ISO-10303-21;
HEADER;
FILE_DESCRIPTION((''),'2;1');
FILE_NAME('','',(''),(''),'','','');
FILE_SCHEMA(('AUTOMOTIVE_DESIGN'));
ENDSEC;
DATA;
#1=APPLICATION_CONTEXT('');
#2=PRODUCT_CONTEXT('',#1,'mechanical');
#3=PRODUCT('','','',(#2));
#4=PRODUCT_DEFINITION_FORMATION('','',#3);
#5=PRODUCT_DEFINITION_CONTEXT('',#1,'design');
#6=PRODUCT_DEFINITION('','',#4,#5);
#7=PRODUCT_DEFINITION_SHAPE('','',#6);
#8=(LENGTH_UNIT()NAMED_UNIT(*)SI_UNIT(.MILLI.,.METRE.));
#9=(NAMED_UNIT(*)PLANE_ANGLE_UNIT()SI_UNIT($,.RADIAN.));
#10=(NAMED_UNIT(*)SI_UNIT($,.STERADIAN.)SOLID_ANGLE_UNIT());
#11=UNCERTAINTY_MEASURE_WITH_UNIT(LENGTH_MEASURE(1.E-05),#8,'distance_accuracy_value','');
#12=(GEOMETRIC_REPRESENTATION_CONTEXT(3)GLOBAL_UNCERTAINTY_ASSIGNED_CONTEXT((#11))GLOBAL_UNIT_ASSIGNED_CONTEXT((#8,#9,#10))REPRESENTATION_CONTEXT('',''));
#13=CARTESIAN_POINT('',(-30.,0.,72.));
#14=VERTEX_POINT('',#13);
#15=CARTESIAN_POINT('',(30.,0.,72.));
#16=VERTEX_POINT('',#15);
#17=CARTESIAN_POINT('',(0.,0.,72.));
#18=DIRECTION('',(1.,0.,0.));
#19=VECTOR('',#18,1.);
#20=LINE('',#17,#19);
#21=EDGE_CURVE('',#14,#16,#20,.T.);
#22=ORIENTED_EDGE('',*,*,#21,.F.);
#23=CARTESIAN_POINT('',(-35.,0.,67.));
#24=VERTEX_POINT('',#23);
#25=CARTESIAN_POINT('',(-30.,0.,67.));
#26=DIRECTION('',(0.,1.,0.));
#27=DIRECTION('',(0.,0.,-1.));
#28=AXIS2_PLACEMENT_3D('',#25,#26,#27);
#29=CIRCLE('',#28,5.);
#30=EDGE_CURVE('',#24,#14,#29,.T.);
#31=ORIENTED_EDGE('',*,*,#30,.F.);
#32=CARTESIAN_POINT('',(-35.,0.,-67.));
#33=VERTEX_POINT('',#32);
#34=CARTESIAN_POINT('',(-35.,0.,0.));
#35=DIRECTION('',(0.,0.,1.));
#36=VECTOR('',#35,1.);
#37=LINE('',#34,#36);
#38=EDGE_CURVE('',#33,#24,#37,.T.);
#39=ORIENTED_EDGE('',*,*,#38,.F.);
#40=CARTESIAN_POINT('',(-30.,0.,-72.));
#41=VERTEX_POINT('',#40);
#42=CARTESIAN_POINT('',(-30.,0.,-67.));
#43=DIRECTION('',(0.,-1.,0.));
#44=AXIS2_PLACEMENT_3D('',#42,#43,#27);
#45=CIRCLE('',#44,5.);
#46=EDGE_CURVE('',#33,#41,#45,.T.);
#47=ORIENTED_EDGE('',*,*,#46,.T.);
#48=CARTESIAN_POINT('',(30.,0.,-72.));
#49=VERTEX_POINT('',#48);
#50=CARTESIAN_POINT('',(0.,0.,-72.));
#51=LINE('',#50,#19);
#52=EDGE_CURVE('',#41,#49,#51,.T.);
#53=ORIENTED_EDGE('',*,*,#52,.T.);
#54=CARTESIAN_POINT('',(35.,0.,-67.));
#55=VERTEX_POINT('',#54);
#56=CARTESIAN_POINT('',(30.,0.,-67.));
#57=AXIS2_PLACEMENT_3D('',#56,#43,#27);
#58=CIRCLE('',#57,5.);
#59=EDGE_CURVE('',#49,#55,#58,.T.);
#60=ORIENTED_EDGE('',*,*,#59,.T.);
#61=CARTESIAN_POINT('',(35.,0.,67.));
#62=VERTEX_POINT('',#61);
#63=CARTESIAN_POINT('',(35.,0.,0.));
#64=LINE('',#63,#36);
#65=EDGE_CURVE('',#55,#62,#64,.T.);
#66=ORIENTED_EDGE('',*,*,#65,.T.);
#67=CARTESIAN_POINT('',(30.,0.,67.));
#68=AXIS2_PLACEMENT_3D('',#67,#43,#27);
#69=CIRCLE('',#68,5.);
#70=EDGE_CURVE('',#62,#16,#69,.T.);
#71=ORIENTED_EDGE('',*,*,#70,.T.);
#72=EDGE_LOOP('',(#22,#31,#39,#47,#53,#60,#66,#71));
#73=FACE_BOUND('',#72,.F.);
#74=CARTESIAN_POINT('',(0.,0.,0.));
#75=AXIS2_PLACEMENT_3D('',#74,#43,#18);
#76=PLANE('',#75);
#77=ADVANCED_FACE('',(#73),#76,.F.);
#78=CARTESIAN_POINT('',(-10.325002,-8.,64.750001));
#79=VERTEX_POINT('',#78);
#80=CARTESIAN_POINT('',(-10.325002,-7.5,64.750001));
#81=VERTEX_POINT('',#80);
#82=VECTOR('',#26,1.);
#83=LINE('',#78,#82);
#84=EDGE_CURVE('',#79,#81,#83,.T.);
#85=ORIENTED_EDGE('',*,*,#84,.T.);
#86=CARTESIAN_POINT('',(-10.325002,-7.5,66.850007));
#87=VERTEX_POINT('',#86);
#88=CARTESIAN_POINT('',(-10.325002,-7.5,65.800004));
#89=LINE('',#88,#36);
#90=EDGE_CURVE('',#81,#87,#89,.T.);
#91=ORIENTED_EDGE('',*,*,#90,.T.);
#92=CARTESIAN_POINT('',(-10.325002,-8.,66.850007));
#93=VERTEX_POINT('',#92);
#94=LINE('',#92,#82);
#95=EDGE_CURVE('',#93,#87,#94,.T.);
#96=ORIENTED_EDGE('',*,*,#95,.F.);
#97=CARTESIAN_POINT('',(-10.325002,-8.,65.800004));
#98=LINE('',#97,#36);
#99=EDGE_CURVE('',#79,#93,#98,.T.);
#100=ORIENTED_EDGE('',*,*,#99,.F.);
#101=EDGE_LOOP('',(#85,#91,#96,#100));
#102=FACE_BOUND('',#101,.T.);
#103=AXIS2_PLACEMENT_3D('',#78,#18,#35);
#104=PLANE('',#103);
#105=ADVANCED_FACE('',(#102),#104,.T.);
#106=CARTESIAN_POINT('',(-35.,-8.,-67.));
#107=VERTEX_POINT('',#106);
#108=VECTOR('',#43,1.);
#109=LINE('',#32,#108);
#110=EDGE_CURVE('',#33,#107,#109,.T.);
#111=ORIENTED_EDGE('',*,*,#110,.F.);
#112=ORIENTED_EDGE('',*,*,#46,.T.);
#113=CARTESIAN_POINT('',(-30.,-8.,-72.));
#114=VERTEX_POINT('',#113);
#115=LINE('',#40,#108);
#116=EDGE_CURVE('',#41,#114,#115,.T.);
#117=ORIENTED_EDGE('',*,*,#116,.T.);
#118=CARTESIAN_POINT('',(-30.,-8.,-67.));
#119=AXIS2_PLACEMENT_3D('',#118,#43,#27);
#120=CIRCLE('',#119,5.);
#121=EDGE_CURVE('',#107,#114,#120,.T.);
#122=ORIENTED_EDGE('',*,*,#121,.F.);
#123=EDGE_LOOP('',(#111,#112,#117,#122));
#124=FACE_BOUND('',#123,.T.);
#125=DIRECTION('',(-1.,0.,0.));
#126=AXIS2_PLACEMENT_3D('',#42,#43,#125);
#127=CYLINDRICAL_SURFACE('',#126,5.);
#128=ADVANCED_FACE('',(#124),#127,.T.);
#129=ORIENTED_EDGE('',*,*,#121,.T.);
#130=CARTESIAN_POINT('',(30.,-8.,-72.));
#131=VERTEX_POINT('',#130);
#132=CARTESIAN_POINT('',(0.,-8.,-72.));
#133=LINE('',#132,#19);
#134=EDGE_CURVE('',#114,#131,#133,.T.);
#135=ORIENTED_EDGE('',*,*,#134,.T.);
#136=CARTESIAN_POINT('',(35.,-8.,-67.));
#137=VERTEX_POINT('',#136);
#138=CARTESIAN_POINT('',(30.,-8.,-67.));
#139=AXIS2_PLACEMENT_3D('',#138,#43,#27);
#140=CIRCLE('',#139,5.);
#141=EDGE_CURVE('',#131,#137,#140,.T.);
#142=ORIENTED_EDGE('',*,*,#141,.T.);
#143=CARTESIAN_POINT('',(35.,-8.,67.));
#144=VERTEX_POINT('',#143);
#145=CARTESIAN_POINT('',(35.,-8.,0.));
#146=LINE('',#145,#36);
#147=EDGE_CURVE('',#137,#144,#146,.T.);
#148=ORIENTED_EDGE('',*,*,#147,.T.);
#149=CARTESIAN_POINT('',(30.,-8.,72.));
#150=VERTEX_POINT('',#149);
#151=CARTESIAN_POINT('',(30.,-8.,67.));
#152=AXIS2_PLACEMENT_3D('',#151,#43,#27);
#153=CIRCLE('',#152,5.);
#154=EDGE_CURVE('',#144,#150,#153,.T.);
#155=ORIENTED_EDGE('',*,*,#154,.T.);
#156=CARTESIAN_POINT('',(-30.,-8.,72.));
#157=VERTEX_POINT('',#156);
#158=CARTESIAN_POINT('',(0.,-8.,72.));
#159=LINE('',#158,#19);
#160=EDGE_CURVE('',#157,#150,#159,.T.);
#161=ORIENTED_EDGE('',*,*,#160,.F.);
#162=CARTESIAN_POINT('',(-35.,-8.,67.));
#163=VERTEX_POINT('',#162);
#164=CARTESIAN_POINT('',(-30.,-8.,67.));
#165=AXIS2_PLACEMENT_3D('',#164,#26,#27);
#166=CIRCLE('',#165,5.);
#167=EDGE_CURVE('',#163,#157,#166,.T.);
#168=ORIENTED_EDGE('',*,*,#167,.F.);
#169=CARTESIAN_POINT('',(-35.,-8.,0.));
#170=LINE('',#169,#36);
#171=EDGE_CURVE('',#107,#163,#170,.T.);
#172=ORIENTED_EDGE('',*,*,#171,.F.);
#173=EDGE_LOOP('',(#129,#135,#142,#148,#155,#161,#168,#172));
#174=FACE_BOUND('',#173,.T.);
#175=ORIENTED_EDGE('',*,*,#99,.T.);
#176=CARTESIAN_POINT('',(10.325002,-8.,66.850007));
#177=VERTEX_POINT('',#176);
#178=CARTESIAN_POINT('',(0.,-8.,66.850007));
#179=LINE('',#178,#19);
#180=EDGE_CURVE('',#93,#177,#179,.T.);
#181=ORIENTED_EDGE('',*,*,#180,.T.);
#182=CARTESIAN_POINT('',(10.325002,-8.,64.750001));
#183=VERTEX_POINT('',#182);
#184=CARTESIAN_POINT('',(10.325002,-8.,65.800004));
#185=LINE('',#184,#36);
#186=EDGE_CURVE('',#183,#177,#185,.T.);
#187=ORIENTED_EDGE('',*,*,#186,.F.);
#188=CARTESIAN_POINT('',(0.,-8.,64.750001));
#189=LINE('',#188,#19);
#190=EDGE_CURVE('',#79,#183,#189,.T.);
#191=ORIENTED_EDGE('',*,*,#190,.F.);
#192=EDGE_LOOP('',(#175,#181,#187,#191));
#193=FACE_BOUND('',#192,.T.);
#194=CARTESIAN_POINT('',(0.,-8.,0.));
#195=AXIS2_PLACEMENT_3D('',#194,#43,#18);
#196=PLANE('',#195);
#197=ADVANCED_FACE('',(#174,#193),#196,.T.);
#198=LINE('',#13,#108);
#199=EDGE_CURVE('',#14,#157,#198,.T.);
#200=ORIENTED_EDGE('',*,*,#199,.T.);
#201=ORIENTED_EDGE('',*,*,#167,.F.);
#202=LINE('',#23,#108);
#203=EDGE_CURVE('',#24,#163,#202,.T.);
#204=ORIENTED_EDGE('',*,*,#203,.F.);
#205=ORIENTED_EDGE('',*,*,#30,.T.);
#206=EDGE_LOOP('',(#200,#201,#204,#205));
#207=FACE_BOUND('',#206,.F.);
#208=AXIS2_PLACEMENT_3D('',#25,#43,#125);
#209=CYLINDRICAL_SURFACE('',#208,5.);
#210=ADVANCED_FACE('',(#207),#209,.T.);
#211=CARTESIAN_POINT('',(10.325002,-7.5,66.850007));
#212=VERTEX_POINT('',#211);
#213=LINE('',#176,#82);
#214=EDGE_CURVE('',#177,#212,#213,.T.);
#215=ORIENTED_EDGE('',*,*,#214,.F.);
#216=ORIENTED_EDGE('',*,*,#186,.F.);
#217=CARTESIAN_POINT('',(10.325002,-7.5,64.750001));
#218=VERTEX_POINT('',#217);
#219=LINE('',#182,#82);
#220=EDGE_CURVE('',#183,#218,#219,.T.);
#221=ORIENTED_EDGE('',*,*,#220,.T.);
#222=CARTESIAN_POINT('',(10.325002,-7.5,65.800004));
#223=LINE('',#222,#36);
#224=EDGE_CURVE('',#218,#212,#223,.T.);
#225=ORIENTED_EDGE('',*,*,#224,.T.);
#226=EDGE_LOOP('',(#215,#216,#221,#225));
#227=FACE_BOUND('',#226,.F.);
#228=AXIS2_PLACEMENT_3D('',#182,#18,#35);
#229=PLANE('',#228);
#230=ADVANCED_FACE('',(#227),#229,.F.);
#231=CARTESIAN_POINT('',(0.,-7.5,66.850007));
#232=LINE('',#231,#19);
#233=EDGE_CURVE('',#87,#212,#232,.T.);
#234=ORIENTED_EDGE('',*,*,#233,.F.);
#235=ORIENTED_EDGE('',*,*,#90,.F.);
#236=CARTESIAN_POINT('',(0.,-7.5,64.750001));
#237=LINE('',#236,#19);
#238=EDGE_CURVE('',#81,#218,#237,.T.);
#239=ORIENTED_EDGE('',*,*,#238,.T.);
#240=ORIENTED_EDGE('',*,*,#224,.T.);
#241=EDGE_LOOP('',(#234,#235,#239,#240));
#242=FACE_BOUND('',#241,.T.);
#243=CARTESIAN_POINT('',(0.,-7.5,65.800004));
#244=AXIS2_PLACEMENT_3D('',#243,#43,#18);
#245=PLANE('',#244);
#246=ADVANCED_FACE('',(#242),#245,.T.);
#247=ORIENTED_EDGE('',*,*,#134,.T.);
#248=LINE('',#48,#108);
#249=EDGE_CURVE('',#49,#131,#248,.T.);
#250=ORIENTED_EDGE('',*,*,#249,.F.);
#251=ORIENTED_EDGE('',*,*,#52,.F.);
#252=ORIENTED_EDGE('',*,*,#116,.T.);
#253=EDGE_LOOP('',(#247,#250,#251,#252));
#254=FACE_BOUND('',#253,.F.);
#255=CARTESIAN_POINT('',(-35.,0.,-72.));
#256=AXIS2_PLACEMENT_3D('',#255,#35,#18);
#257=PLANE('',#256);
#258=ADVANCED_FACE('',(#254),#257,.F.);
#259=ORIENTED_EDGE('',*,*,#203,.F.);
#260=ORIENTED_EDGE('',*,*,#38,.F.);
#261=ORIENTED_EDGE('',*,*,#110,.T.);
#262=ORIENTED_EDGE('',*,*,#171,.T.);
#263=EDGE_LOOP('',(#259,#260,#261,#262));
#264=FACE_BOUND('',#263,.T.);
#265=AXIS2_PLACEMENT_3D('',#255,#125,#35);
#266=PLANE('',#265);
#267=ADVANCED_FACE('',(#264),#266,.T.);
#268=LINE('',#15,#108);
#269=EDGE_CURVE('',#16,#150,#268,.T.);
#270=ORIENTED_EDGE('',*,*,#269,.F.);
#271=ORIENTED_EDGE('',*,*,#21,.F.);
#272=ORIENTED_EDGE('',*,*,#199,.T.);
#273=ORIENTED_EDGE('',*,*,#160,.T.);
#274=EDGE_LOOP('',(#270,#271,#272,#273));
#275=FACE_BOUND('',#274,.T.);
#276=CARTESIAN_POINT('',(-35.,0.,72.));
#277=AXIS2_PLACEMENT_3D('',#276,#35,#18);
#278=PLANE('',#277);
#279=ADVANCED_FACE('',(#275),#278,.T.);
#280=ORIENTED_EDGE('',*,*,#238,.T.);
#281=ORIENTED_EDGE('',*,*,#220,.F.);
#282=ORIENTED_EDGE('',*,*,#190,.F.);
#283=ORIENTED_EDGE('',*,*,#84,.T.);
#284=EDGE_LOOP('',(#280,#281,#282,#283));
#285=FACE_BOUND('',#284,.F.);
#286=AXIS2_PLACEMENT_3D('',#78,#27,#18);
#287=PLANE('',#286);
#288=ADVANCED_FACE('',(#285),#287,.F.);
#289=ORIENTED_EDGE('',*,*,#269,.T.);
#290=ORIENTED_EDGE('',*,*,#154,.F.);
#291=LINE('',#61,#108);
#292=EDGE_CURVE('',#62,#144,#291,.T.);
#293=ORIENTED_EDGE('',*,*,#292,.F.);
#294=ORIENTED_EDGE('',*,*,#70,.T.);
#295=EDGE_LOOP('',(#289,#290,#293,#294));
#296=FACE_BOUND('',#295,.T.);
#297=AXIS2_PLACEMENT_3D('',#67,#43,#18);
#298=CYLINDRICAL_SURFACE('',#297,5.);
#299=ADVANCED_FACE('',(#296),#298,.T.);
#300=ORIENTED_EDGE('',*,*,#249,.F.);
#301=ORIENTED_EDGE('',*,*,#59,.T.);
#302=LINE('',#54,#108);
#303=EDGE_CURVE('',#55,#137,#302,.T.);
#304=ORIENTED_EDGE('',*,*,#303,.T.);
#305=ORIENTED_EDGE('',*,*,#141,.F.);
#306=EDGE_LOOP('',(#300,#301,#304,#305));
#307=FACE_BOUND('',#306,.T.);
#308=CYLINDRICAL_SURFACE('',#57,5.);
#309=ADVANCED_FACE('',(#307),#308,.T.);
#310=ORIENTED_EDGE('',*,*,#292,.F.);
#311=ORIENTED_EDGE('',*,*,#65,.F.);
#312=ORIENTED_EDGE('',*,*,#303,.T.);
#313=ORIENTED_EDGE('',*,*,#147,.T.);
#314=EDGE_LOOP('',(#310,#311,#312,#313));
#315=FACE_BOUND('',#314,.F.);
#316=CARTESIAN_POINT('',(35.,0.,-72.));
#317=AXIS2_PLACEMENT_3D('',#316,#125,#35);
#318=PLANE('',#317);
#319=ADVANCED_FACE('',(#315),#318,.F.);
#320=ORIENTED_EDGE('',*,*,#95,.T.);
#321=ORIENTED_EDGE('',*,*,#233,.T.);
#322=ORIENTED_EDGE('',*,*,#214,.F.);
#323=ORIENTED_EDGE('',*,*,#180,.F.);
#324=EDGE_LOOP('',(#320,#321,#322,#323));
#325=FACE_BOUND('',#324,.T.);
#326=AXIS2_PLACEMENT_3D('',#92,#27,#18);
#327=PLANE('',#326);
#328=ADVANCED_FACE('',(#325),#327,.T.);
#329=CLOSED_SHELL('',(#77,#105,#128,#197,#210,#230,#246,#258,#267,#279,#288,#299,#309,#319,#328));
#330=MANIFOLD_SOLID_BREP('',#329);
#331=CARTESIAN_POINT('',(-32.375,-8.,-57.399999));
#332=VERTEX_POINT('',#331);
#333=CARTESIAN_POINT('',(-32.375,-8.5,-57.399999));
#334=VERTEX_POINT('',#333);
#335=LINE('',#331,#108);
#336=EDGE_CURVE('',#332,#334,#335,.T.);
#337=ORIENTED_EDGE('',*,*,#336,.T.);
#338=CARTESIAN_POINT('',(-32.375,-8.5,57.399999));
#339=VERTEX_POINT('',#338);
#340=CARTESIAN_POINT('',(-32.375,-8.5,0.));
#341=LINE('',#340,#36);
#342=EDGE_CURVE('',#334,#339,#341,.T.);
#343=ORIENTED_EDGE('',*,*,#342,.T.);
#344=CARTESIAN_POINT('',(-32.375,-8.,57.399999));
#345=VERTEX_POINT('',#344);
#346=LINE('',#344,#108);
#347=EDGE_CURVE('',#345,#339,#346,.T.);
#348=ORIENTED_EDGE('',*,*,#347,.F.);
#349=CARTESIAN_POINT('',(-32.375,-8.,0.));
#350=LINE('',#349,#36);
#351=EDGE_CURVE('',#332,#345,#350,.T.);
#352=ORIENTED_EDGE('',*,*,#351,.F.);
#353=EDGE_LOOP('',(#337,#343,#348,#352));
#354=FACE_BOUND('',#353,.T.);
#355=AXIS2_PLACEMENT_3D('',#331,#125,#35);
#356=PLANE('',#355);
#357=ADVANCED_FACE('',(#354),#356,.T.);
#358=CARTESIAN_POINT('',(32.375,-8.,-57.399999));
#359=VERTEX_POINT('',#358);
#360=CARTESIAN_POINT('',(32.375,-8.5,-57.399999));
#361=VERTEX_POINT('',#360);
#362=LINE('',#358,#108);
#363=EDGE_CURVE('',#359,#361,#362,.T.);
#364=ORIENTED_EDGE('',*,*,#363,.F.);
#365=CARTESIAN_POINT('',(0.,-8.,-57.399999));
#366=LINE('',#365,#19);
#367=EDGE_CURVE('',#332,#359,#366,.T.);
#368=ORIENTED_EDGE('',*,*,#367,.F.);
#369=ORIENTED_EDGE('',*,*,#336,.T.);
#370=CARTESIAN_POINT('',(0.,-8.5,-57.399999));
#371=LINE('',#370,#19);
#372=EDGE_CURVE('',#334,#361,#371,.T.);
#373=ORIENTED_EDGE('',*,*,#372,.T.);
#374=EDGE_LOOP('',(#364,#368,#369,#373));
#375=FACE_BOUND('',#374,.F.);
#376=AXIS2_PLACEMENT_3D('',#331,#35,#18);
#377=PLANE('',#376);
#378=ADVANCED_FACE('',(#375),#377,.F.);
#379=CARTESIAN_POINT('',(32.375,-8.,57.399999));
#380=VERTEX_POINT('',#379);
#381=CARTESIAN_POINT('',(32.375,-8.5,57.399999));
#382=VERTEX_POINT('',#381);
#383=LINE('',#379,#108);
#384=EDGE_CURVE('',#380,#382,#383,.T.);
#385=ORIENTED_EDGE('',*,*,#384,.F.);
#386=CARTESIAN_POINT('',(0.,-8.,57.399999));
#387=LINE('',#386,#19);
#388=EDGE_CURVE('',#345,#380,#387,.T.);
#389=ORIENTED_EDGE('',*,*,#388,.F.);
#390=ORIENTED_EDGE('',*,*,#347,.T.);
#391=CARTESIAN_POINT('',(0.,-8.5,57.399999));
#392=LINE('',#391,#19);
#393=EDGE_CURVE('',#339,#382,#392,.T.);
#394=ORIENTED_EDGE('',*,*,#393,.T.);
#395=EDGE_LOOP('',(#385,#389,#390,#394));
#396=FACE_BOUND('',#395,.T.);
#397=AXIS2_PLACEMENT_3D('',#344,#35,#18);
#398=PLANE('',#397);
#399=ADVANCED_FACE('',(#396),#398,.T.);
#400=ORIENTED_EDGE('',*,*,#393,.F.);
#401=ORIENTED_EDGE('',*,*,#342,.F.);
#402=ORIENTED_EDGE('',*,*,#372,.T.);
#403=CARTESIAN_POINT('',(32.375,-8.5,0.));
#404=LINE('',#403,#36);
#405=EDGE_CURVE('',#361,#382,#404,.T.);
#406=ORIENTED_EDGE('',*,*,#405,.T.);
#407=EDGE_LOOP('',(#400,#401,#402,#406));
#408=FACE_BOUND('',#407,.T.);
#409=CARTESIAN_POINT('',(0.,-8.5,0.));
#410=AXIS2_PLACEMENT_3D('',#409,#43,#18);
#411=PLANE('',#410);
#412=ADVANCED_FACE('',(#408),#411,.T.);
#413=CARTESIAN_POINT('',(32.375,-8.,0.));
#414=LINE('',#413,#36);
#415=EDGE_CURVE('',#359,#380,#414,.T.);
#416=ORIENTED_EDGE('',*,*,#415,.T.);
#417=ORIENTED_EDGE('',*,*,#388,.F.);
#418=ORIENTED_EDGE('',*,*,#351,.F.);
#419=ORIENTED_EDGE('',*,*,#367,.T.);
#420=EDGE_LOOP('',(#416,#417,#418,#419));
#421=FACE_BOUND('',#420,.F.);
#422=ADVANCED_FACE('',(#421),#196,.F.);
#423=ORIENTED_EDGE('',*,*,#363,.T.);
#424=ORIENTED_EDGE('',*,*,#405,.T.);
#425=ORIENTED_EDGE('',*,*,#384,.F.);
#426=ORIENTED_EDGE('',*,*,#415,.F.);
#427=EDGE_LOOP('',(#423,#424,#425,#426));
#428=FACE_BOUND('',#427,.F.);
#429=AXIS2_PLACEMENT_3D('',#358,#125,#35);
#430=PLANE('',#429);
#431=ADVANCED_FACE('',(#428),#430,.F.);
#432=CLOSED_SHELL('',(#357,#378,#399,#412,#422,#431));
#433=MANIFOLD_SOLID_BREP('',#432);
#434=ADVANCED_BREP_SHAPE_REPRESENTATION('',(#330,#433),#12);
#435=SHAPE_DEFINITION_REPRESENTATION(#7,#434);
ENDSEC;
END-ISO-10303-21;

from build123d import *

# Parameters (mm, degrees)
F0_W     = 70
F0_H     = 144
F1_DEPTH = 8
F2_R     = 5
F3_W     = 64.75
F3_H     = 114.799998
F4_DEPTH = 0.5
F3_W_2   = 20.650004
F3_H_2   = 2.100006
F5_DEPTH = 0.5


with BuildPart() as f1:
    # F0 (on Front) → F1 (new body)
    with BuildSketch(Plane.XZ):
        Rectangle(F0_W, F0_H)
    extrude(amount=F1_DEPTH)

    # F2
    f2_edges = [f1.edges().sort_by_distance(p)[0] for p in [
        (-35, -4, 72),
        (35, -4, 72),
        (35, -4, -72),
        (-35, -4, -72),
    ]]
    fillet(f2_edges, radius=F2_R)

    # F3 (on face) → F5 (cut)
    with BuildSketch(Plane.XZ.offset(8)):
        with Locations((0, 65.800004)):
            Rectangle(F3_W_2, F3_H_2)
    extrude(amount=-F5_DEPTH, mode=Mode.SUBTRACT)


with BuildPart() as f4:
    # F3 (on face) → F4 (new body)
    with BuildSketch(Plane.XZ.offset(8)):
        Rectangle(F3_W, F3_H)
    extrude(amount=F4_DEPTH)


solid = Compound([f1.part, f4.part])
